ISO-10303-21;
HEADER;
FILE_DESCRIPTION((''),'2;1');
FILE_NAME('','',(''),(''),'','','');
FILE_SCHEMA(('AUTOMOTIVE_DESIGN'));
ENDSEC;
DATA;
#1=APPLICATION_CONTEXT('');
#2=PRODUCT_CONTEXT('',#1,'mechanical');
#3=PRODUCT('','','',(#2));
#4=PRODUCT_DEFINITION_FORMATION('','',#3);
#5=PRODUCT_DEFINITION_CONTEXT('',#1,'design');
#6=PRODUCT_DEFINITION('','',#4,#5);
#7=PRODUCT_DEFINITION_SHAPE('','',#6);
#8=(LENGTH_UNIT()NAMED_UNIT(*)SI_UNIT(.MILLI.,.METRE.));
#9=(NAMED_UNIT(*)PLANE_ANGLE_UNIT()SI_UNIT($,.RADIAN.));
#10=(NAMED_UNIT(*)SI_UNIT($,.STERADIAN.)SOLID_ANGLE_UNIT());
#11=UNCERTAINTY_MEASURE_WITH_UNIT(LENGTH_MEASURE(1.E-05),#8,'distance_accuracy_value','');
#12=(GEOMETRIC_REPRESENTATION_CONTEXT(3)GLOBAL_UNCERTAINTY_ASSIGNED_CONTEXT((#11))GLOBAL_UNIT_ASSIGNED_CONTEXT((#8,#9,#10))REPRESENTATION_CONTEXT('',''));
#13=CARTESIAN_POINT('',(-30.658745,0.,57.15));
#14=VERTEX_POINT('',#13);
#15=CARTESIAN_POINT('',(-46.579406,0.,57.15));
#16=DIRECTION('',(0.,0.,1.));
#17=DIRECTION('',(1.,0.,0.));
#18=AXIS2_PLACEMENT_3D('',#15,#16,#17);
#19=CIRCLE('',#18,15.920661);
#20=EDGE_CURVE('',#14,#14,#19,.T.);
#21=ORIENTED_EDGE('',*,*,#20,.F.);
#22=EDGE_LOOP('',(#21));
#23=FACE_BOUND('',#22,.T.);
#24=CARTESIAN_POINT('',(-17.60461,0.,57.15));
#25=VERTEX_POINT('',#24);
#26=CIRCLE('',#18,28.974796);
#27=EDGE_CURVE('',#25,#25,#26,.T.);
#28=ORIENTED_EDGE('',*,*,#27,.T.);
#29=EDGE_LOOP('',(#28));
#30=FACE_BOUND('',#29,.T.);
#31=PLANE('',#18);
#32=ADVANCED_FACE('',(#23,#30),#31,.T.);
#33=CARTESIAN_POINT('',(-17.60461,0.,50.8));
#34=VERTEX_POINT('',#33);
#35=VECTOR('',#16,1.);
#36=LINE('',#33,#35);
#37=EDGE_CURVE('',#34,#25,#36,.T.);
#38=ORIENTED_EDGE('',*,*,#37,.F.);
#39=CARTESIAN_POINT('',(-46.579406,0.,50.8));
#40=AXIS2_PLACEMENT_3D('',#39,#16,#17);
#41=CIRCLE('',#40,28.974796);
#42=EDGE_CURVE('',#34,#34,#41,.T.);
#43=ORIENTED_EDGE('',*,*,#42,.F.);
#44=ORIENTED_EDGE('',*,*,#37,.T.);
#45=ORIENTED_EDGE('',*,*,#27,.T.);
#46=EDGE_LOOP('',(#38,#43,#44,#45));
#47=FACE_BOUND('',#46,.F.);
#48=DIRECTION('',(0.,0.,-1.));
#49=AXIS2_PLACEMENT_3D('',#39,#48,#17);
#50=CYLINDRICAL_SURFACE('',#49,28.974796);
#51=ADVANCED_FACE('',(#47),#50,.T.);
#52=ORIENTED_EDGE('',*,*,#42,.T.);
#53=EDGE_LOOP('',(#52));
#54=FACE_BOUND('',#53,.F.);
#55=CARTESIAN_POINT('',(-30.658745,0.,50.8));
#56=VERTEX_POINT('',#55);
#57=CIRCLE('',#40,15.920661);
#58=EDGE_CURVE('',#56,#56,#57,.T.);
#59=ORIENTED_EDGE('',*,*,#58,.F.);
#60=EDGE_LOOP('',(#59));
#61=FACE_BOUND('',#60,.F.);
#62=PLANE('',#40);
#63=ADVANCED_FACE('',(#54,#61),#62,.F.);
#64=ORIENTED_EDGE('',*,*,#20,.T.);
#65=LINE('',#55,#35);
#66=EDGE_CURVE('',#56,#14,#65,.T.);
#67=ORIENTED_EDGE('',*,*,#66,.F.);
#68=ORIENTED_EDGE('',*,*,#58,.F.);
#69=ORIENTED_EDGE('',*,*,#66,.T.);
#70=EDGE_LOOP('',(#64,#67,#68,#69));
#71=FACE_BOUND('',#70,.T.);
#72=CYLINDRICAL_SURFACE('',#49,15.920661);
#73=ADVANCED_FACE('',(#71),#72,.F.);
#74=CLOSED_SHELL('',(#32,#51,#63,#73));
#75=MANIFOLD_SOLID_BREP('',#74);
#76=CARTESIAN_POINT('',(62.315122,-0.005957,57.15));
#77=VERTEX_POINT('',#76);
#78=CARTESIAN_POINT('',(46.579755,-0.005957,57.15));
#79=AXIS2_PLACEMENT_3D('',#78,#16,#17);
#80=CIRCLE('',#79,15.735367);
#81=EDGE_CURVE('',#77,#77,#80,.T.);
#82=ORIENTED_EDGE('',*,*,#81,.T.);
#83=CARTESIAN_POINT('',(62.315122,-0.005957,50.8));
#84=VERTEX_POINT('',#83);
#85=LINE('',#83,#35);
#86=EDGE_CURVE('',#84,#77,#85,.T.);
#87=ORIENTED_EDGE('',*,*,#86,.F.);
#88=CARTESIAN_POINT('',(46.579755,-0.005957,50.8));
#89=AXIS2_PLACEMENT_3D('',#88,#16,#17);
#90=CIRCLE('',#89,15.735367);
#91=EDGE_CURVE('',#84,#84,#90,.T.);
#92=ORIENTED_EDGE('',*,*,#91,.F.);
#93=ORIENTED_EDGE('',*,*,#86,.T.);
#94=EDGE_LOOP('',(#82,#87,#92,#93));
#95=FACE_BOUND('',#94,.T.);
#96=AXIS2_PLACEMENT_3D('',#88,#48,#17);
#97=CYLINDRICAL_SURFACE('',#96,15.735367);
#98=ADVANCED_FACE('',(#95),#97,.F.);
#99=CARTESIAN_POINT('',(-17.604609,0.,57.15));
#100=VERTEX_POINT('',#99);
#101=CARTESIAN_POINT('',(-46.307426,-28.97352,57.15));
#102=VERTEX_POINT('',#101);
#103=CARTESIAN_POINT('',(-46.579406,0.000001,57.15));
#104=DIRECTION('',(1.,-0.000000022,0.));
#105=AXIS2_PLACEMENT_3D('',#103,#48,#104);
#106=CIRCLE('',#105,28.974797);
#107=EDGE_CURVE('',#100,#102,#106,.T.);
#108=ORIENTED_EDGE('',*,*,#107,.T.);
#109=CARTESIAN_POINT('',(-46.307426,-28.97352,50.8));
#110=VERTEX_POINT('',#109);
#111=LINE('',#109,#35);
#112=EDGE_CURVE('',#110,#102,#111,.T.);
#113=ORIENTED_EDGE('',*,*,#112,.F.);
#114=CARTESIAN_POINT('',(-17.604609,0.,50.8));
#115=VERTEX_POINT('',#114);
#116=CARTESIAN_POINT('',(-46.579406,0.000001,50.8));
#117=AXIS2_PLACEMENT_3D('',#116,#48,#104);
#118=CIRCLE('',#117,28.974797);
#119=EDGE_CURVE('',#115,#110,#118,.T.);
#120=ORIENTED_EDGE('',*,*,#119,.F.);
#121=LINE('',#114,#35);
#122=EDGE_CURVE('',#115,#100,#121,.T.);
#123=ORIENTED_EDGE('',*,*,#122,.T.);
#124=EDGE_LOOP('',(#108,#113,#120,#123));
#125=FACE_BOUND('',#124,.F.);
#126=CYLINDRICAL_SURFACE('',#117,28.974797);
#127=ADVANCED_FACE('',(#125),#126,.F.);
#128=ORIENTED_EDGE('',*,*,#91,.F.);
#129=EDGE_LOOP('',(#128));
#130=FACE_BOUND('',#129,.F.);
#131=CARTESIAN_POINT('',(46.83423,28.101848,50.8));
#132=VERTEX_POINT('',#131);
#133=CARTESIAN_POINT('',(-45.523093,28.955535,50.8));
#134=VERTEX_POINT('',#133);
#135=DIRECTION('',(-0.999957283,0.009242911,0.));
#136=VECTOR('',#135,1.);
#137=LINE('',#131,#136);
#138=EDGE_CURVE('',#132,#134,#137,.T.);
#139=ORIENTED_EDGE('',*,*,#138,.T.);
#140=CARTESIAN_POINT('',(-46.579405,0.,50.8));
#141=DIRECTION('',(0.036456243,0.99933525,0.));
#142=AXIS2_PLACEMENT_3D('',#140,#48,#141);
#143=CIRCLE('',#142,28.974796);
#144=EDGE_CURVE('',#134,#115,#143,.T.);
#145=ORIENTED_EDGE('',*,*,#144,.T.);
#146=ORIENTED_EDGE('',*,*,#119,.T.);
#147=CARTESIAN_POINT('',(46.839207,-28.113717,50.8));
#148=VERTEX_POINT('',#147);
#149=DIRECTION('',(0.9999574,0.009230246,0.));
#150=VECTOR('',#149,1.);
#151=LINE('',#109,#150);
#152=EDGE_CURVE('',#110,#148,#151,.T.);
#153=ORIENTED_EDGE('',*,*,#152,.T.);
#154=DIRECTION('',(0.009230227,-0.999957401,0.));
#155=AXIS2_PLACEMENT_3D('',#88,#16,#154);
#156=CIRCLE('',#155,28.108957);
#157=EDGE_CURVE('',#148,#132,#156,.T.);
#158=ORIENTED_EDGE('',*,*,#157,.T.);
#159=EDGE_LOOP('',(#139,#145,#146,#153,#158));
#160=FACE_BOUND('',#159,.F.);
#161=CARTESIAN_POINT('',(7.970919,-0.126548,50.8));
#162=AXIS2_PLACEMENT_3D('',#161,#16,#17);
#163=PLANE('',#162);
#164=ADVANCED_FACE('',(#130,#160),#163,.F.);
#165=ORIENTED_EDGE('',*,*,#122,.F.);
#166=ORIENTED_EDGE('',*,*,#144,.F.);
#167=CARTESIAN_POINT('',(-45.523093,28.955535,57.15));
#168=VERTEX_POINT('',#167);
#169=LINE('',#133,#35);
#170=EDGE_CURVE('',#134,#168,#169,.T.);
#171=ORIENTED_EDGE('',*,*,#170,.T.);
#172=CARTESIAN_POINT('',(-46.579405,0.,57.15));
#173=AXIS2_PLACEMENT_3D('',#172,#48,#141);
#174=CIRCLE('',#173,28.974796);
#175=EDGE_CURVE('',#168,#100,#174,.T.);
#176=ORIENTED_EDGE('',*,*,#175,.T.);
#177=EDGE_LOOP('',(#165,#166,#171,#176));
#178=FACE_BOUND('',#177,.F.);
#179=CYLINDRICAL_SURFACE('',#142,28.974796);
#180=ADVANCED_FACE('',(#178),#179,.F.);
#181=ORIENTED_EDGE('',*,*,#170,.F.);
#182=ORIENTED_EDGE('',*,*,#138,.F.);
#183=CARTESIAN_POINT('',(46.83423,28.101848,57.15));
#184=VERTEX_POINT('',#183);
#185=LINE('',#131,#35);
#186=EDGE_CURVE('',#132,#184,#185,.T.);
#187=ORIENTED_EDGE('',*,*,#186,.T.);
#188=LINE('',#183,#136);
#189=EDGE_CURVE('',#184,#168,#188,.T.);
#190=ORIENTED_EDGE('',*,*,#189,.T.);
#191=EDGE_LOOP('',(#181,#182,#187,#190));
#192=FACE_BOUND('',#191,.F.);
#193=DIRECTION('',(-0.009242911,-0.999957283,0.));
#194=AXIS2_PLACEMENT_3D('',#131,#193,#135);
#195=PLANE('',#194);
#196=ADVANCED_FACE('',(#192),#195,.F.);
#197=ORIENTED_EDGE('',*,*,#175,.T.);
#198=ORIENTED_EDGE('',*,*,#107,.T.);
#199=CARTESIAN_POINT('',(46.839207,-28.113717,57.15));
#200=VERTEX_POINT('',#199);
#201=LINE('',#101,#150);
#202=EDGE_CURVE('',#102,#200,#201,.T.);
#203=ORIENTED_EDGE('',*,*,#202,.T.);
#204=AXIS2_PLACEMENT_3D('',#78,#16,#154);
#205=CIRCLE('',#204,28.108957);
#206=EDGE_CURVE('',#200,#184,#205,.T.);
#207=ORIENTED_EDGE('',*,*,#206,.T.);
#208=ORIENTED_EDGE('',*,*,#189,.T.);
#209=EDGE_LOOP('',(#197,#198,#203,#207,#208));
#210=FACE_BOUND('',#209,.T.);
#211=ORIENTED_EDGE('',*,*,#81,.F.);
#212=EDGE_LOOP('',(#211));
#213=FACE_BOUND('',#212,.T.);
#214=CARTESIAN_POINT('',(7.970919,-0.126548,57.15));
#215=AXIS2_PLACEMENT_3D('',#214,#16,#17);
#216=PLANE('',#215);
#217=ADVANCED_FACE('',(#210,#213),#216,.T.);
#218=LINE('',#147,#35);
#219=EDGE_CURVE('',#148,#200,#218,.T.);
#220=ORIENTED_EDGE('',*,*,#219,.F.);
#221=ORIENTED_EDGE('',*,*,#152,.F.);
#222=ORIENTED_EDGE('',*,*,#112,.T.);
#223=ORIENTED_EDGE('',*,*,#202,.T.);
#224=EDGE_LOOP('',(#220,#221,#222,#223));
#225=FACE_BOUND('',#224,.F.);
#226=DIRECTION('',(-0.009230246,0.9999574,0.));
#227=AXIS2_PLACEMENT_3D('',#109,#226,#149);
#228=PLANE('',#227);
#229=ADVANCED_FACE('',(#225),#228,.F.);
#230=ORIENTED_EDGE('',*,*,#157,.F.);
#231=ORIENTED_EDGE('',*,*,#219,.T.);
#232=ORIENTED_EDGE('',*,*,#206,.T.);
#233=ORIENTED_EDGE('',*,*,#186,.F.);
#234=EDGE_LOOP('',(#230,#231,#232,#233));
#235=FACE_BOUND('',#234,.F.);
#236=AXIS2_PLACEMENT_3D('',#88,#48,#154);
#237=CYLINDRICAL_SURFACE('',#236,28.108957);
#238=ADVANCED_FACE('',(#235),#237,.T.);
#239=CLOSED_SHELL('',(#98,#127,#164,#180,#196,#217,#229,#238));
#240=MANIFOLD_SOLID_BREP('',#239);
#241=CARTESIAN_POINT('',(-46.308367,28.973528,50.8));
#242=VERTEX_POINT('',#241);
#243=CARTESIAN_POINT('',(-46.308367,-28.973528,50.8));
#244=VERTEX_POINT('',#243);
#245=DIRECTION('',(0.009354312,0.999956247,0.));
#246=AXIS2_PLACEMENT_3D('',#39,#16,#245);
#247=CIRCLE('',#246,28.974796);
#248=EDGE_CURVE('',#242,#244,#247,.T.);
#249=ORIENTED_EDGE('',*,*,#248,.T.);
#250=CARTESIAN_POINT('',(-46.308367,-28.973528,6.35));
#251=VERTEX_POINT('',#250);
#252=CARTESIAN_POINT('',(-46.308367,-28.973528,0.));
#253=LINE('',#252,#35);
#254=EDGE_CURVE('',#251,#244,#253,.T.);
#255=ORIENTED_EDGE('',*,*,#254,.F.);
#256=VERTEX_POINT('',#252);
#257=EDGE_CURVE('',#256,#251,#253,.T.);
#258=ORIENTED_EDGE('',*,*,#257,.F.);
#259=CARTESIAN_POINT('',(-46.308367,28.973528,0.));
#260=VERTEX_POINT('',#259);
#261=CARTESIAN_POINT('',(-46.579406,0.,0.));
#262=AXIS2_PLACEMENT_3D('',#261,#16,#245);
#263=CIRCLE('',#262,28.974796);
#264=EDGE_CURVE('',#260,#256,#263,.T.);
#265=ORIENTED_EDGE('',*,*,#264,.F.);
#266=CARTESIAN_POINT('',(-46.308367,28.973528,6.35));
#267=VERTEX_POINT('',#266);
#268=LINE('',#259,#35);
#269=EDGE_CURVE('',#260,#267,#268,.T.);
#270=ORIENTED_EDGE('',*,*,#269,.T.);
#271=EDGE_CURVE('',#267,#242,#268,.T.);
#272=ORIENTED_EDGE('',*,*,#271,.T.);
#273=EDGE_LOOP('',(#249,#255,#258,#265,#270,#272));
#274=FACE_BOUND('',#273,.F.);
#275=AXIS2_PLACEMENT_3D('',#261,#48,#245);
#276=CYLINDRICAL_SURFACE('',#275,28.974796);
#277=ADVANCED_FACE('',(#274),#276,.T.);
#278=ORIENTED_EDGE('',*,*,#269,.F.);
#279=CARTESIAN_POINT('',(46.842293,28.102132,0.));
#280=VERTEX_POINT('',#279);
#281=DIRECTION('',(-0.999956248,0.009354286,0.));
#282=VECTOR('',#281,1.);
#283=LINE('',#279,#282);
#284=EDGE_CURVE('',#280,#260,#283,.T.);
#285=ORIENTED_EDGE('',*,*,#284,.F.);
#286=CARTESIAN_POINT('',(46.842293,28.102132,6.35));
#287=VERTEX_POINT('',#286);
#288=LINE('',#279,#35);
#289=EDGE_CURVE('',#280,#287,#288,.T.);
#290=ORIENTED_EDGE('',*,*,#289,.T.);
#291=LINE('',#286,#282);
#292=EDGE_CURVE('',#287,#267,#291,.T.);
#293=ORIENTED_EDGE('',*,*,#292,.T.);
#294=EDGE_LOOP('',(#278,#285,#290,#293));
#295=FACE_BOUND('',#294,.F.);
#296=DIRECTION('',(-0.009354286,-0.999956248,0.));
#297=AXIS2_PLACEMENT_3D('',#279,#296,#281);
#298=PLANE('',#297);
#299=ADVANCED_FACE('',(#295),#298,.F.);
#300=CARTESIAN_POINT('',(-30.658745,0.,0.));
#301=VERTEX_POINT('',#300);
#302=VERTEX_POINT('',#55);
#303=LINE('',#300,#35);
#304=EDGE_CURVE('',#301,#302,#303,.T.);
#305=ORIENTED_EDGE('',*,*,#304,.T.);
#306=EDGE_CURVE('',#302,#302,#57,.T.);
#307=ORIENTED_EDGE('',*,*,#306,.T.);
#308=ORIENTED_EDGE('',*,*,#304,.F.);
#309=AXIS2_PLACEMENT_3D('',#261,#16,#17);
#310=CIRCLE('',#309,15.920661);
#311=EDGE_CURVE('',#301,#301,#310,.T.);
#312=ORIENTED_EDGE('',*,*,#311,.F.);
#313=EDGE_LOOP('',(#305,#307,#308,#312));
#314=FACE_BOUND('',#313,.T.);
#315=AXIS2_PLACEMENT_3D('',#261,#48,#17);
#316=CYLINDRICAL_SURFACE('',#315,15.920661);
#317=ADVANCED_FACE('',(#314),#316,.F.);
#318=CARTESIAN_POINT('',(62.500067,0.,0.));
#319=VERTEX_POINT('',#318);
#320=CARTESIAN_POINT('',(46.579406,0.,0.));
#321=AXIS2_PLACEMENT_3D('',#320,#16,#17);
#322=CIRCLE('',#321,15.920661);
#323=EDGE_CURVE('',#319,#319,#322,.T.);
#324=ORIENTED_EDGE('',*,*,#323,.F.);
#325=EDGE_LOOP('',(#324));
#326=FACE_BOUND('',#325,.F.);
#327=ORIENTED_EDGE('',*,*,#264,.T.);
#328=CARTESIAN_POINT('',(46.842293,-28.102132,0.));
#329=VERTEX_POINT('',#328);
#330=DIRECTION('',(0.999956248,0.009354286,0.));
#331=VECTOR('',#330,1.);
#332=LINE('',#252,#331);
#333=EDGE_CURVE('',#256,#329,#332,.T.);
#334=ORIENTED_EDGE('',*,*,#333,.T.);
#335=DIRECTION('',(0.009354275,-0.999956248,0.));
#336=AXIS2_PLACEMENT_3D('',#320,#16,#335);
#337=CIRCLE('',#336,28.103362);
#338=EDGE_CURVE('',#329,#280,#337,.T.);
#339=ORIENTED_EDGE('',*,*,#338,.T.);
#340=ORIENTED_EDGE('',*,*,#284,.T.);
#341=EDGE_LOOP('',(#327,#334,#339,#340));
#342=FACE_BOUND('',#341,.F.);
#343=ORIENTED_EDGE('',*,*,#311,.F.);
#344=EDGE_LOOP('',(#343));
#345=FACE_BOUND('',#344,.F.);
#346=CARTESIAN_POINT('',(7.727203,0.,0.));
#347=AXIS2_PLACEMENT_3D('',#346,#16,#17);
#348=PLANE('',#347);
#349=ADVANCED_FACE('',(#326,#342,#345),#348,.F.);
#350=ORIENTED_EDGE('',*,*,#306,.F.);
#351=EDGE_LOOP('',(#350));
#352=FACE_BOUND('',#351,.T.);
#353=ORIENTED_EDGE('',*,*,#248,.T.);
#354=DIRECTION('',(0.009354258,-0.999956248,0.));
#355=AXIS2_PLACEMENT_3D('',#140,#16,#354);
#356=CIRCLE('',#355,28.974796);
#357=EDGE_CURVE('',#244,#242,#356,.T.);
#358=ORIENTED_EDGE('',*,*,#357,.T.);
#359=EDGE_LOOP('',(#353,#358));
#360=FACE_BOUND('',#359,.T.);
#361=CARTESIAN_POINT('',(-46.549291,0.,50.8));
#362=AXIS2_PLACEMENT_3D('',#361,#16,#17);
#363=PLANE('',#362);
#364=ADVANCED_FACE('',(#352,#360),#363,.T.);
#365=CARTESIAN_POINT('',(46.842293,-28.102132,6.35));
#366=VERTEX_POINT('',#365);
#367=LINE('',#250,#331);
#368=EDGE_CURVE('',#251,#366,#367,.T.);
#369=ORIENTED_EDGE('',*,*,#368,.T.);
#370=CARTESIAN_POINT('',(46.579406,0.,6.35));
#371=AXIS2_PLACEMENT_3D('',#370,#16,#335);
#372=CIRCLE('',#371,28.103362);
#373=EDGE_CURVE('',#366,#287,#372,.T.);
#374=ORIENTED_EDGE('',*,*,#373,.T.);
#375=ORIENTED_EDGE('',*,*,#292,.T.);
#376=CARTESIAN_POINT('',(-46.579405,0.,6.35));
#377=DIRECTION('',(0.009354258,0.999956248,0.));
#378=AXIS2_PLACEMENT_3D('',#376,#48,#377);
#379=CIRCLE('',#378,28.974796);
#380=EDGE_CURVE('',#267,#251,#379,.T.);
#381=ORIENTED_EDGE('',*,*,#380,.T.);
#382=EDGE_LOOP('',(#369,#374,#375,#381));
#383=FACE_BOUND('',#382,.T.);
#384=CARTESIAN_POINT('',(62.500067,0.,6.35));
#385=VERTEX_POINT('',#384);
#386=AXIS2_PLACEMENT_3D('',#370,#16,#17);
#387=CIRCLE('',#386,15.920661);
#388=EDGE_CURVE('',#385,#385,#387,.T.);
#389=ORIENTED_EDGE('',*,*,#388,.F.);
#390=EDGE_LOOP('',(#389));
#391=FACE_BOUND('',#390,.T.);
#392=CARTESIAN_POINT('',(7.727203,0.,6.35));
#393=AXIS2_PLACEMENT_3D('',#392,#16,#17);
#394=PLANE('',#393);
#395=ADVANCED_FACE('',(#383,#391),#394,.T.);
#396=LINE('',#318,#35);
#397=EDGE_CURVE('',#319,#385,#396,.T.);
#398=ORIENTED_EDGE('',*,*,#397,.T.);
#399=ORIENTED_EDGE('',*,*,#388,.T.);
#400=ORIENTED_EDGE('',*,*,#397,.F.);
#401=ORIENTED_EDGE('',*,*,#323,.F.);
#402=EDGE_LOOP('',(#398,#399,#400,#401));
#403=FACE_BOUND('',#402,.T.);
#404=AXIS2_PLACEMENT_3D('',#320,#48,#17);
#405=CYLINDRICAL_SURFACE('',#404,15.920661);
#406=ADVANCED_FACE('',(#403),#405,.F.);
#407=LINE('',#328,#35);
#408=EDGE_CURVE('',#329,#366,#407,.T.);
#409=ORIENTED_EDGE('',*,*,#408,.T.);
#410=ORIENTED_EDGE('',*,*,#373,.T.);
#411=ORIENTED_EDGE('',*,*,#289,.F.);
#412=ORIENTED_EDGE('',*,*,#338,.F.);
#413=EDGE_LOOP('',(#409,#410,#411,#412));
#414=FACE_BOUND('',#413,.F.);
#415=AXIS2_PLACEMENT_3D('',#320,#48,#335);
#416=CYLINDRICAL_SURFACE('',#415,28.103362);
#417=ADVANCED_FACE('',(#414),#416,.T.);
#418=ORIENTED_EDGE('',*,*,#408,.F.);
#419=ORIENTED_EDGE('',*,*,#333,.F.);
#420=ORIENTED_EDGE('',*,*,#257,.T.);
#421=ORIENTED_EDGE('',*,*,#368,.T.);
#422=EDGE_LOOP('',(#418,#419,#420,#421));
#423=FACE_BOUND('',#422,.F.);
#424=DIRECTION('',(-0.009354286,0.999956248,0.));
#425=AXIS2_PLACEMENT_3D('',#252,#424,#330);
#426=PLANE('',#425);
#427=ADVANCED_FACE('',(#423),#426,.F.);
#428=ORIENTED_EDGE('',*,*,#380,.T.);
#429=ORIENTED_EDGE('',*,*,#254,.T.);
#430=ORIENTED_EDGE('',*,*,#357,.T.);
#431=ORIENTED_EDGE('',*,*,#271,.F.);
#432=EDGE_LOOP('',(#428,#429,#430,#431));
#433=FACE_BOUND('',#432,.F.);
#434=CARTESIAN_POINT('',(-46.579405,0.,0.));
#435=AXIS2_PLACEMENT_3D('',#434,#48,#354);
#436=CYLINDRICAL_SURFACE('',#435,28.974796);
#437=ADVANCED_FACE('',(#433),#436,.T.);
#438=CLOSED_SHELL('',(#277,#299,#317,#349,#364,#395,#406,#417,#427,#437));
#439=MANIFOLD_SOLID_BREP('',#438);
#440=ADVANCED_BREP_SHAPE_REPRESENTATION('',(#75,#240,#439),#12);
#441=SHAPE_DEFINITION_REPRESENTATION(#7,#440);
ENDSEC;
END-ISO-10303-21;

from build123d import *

# Parameters (mm, degrees)
F0_R        = 15.920661
F1_DEPTH    = 50.8
F2_DEPTH    = 6.35
F3_R        = 15.735367
F4_DEPTH    = 6.35
F1_FACE_R   = 28.974796
F1_FACE_R_2 = 15.920661
F5_DEPTH    = 6.35


with BuildPart() as f1:
    # F0 (on Top) → F1 (new body)
    with BuildSketch(Plane.XY):
        with BuildLine():
            ThreePointArc((-46.308367, -28.973528), (-17.604609, 0), (-46.308367, 28.973528))
            ThreePointArc((-46.308367, 28.973528), (-75.554202, 0), (-46.308367, -28.973528))
        make_face()
        with Locations((-46.579406, 0)):
            Circle(F0_R, mode=Mode.SUBTRACT)
    extrude(amount=F1_DEPTH)

    # F0 (on Top) → F2 (join)
    with BuildSketch(Plane.XY):
        with BuildLine():
            Line((46.842293, 28.102132), (-46.308367, 28.973528))
            ThreePointArc((-46.308367, 28.973528), (-17.604609, 0), (-46.308367, -28.973528))
            Line((-46.308367, -28.973528), (46.842293, -28.102132))
            ThreePointArc((46.842293, -28.102132), (74.682768, 0), (46.842293, 28.102132))
        make_face()
        with Locations((46.579406, 0)):
            Circle(F0_R, mode=Mode.SUBTRACT)
    extrude(amount=F2_DEPTH)


with BuildPart() as f4:
    # F3 (on face) → F4 (new body)
    with BuildSketch(Plane.XY.offset(50.8)):
        with BuildLine():
            Line((46.83423, 28.101848), (-45.523093, 28.955535))
            ThreePointArc((-45.523093, 28.955535), (-25.721011, 20.111345), (-17.604609, 0))
            ThreePointArc((-17.604609, 0), (-25.995196, -20.391889), (-46.307426, -28.97352))
            Line((-46.307426, -28.97352), (46.839207, -28.113717))
            ThreePointArc((46.839207, -28.113717), (74.688712, -0.003469), (46.83423, 28.101848))
        make_face()
        with Locations((46.579755, -0.005957)):
            Circle(F3_R, mode=Mode.SUBTRACT)
    extrude(amount=F4_DEPTH)


with BuildPart() as f5:
    # F1_face (on face) → F5 (new body)
    with BuildSketch(Plane(origin=(-46.579406, 0, 50.8), x_dir=(1, 0, 0), z_dir=(0, 0, 1))):
        Circle(F1_FACE_R)
        Circle(F1_FACE_R_2, mode=Mode.SUBTRACT)
    extrude(amount=F5_DEPTH)


solid = Compound([f1.part, f4.part, f5.part])
